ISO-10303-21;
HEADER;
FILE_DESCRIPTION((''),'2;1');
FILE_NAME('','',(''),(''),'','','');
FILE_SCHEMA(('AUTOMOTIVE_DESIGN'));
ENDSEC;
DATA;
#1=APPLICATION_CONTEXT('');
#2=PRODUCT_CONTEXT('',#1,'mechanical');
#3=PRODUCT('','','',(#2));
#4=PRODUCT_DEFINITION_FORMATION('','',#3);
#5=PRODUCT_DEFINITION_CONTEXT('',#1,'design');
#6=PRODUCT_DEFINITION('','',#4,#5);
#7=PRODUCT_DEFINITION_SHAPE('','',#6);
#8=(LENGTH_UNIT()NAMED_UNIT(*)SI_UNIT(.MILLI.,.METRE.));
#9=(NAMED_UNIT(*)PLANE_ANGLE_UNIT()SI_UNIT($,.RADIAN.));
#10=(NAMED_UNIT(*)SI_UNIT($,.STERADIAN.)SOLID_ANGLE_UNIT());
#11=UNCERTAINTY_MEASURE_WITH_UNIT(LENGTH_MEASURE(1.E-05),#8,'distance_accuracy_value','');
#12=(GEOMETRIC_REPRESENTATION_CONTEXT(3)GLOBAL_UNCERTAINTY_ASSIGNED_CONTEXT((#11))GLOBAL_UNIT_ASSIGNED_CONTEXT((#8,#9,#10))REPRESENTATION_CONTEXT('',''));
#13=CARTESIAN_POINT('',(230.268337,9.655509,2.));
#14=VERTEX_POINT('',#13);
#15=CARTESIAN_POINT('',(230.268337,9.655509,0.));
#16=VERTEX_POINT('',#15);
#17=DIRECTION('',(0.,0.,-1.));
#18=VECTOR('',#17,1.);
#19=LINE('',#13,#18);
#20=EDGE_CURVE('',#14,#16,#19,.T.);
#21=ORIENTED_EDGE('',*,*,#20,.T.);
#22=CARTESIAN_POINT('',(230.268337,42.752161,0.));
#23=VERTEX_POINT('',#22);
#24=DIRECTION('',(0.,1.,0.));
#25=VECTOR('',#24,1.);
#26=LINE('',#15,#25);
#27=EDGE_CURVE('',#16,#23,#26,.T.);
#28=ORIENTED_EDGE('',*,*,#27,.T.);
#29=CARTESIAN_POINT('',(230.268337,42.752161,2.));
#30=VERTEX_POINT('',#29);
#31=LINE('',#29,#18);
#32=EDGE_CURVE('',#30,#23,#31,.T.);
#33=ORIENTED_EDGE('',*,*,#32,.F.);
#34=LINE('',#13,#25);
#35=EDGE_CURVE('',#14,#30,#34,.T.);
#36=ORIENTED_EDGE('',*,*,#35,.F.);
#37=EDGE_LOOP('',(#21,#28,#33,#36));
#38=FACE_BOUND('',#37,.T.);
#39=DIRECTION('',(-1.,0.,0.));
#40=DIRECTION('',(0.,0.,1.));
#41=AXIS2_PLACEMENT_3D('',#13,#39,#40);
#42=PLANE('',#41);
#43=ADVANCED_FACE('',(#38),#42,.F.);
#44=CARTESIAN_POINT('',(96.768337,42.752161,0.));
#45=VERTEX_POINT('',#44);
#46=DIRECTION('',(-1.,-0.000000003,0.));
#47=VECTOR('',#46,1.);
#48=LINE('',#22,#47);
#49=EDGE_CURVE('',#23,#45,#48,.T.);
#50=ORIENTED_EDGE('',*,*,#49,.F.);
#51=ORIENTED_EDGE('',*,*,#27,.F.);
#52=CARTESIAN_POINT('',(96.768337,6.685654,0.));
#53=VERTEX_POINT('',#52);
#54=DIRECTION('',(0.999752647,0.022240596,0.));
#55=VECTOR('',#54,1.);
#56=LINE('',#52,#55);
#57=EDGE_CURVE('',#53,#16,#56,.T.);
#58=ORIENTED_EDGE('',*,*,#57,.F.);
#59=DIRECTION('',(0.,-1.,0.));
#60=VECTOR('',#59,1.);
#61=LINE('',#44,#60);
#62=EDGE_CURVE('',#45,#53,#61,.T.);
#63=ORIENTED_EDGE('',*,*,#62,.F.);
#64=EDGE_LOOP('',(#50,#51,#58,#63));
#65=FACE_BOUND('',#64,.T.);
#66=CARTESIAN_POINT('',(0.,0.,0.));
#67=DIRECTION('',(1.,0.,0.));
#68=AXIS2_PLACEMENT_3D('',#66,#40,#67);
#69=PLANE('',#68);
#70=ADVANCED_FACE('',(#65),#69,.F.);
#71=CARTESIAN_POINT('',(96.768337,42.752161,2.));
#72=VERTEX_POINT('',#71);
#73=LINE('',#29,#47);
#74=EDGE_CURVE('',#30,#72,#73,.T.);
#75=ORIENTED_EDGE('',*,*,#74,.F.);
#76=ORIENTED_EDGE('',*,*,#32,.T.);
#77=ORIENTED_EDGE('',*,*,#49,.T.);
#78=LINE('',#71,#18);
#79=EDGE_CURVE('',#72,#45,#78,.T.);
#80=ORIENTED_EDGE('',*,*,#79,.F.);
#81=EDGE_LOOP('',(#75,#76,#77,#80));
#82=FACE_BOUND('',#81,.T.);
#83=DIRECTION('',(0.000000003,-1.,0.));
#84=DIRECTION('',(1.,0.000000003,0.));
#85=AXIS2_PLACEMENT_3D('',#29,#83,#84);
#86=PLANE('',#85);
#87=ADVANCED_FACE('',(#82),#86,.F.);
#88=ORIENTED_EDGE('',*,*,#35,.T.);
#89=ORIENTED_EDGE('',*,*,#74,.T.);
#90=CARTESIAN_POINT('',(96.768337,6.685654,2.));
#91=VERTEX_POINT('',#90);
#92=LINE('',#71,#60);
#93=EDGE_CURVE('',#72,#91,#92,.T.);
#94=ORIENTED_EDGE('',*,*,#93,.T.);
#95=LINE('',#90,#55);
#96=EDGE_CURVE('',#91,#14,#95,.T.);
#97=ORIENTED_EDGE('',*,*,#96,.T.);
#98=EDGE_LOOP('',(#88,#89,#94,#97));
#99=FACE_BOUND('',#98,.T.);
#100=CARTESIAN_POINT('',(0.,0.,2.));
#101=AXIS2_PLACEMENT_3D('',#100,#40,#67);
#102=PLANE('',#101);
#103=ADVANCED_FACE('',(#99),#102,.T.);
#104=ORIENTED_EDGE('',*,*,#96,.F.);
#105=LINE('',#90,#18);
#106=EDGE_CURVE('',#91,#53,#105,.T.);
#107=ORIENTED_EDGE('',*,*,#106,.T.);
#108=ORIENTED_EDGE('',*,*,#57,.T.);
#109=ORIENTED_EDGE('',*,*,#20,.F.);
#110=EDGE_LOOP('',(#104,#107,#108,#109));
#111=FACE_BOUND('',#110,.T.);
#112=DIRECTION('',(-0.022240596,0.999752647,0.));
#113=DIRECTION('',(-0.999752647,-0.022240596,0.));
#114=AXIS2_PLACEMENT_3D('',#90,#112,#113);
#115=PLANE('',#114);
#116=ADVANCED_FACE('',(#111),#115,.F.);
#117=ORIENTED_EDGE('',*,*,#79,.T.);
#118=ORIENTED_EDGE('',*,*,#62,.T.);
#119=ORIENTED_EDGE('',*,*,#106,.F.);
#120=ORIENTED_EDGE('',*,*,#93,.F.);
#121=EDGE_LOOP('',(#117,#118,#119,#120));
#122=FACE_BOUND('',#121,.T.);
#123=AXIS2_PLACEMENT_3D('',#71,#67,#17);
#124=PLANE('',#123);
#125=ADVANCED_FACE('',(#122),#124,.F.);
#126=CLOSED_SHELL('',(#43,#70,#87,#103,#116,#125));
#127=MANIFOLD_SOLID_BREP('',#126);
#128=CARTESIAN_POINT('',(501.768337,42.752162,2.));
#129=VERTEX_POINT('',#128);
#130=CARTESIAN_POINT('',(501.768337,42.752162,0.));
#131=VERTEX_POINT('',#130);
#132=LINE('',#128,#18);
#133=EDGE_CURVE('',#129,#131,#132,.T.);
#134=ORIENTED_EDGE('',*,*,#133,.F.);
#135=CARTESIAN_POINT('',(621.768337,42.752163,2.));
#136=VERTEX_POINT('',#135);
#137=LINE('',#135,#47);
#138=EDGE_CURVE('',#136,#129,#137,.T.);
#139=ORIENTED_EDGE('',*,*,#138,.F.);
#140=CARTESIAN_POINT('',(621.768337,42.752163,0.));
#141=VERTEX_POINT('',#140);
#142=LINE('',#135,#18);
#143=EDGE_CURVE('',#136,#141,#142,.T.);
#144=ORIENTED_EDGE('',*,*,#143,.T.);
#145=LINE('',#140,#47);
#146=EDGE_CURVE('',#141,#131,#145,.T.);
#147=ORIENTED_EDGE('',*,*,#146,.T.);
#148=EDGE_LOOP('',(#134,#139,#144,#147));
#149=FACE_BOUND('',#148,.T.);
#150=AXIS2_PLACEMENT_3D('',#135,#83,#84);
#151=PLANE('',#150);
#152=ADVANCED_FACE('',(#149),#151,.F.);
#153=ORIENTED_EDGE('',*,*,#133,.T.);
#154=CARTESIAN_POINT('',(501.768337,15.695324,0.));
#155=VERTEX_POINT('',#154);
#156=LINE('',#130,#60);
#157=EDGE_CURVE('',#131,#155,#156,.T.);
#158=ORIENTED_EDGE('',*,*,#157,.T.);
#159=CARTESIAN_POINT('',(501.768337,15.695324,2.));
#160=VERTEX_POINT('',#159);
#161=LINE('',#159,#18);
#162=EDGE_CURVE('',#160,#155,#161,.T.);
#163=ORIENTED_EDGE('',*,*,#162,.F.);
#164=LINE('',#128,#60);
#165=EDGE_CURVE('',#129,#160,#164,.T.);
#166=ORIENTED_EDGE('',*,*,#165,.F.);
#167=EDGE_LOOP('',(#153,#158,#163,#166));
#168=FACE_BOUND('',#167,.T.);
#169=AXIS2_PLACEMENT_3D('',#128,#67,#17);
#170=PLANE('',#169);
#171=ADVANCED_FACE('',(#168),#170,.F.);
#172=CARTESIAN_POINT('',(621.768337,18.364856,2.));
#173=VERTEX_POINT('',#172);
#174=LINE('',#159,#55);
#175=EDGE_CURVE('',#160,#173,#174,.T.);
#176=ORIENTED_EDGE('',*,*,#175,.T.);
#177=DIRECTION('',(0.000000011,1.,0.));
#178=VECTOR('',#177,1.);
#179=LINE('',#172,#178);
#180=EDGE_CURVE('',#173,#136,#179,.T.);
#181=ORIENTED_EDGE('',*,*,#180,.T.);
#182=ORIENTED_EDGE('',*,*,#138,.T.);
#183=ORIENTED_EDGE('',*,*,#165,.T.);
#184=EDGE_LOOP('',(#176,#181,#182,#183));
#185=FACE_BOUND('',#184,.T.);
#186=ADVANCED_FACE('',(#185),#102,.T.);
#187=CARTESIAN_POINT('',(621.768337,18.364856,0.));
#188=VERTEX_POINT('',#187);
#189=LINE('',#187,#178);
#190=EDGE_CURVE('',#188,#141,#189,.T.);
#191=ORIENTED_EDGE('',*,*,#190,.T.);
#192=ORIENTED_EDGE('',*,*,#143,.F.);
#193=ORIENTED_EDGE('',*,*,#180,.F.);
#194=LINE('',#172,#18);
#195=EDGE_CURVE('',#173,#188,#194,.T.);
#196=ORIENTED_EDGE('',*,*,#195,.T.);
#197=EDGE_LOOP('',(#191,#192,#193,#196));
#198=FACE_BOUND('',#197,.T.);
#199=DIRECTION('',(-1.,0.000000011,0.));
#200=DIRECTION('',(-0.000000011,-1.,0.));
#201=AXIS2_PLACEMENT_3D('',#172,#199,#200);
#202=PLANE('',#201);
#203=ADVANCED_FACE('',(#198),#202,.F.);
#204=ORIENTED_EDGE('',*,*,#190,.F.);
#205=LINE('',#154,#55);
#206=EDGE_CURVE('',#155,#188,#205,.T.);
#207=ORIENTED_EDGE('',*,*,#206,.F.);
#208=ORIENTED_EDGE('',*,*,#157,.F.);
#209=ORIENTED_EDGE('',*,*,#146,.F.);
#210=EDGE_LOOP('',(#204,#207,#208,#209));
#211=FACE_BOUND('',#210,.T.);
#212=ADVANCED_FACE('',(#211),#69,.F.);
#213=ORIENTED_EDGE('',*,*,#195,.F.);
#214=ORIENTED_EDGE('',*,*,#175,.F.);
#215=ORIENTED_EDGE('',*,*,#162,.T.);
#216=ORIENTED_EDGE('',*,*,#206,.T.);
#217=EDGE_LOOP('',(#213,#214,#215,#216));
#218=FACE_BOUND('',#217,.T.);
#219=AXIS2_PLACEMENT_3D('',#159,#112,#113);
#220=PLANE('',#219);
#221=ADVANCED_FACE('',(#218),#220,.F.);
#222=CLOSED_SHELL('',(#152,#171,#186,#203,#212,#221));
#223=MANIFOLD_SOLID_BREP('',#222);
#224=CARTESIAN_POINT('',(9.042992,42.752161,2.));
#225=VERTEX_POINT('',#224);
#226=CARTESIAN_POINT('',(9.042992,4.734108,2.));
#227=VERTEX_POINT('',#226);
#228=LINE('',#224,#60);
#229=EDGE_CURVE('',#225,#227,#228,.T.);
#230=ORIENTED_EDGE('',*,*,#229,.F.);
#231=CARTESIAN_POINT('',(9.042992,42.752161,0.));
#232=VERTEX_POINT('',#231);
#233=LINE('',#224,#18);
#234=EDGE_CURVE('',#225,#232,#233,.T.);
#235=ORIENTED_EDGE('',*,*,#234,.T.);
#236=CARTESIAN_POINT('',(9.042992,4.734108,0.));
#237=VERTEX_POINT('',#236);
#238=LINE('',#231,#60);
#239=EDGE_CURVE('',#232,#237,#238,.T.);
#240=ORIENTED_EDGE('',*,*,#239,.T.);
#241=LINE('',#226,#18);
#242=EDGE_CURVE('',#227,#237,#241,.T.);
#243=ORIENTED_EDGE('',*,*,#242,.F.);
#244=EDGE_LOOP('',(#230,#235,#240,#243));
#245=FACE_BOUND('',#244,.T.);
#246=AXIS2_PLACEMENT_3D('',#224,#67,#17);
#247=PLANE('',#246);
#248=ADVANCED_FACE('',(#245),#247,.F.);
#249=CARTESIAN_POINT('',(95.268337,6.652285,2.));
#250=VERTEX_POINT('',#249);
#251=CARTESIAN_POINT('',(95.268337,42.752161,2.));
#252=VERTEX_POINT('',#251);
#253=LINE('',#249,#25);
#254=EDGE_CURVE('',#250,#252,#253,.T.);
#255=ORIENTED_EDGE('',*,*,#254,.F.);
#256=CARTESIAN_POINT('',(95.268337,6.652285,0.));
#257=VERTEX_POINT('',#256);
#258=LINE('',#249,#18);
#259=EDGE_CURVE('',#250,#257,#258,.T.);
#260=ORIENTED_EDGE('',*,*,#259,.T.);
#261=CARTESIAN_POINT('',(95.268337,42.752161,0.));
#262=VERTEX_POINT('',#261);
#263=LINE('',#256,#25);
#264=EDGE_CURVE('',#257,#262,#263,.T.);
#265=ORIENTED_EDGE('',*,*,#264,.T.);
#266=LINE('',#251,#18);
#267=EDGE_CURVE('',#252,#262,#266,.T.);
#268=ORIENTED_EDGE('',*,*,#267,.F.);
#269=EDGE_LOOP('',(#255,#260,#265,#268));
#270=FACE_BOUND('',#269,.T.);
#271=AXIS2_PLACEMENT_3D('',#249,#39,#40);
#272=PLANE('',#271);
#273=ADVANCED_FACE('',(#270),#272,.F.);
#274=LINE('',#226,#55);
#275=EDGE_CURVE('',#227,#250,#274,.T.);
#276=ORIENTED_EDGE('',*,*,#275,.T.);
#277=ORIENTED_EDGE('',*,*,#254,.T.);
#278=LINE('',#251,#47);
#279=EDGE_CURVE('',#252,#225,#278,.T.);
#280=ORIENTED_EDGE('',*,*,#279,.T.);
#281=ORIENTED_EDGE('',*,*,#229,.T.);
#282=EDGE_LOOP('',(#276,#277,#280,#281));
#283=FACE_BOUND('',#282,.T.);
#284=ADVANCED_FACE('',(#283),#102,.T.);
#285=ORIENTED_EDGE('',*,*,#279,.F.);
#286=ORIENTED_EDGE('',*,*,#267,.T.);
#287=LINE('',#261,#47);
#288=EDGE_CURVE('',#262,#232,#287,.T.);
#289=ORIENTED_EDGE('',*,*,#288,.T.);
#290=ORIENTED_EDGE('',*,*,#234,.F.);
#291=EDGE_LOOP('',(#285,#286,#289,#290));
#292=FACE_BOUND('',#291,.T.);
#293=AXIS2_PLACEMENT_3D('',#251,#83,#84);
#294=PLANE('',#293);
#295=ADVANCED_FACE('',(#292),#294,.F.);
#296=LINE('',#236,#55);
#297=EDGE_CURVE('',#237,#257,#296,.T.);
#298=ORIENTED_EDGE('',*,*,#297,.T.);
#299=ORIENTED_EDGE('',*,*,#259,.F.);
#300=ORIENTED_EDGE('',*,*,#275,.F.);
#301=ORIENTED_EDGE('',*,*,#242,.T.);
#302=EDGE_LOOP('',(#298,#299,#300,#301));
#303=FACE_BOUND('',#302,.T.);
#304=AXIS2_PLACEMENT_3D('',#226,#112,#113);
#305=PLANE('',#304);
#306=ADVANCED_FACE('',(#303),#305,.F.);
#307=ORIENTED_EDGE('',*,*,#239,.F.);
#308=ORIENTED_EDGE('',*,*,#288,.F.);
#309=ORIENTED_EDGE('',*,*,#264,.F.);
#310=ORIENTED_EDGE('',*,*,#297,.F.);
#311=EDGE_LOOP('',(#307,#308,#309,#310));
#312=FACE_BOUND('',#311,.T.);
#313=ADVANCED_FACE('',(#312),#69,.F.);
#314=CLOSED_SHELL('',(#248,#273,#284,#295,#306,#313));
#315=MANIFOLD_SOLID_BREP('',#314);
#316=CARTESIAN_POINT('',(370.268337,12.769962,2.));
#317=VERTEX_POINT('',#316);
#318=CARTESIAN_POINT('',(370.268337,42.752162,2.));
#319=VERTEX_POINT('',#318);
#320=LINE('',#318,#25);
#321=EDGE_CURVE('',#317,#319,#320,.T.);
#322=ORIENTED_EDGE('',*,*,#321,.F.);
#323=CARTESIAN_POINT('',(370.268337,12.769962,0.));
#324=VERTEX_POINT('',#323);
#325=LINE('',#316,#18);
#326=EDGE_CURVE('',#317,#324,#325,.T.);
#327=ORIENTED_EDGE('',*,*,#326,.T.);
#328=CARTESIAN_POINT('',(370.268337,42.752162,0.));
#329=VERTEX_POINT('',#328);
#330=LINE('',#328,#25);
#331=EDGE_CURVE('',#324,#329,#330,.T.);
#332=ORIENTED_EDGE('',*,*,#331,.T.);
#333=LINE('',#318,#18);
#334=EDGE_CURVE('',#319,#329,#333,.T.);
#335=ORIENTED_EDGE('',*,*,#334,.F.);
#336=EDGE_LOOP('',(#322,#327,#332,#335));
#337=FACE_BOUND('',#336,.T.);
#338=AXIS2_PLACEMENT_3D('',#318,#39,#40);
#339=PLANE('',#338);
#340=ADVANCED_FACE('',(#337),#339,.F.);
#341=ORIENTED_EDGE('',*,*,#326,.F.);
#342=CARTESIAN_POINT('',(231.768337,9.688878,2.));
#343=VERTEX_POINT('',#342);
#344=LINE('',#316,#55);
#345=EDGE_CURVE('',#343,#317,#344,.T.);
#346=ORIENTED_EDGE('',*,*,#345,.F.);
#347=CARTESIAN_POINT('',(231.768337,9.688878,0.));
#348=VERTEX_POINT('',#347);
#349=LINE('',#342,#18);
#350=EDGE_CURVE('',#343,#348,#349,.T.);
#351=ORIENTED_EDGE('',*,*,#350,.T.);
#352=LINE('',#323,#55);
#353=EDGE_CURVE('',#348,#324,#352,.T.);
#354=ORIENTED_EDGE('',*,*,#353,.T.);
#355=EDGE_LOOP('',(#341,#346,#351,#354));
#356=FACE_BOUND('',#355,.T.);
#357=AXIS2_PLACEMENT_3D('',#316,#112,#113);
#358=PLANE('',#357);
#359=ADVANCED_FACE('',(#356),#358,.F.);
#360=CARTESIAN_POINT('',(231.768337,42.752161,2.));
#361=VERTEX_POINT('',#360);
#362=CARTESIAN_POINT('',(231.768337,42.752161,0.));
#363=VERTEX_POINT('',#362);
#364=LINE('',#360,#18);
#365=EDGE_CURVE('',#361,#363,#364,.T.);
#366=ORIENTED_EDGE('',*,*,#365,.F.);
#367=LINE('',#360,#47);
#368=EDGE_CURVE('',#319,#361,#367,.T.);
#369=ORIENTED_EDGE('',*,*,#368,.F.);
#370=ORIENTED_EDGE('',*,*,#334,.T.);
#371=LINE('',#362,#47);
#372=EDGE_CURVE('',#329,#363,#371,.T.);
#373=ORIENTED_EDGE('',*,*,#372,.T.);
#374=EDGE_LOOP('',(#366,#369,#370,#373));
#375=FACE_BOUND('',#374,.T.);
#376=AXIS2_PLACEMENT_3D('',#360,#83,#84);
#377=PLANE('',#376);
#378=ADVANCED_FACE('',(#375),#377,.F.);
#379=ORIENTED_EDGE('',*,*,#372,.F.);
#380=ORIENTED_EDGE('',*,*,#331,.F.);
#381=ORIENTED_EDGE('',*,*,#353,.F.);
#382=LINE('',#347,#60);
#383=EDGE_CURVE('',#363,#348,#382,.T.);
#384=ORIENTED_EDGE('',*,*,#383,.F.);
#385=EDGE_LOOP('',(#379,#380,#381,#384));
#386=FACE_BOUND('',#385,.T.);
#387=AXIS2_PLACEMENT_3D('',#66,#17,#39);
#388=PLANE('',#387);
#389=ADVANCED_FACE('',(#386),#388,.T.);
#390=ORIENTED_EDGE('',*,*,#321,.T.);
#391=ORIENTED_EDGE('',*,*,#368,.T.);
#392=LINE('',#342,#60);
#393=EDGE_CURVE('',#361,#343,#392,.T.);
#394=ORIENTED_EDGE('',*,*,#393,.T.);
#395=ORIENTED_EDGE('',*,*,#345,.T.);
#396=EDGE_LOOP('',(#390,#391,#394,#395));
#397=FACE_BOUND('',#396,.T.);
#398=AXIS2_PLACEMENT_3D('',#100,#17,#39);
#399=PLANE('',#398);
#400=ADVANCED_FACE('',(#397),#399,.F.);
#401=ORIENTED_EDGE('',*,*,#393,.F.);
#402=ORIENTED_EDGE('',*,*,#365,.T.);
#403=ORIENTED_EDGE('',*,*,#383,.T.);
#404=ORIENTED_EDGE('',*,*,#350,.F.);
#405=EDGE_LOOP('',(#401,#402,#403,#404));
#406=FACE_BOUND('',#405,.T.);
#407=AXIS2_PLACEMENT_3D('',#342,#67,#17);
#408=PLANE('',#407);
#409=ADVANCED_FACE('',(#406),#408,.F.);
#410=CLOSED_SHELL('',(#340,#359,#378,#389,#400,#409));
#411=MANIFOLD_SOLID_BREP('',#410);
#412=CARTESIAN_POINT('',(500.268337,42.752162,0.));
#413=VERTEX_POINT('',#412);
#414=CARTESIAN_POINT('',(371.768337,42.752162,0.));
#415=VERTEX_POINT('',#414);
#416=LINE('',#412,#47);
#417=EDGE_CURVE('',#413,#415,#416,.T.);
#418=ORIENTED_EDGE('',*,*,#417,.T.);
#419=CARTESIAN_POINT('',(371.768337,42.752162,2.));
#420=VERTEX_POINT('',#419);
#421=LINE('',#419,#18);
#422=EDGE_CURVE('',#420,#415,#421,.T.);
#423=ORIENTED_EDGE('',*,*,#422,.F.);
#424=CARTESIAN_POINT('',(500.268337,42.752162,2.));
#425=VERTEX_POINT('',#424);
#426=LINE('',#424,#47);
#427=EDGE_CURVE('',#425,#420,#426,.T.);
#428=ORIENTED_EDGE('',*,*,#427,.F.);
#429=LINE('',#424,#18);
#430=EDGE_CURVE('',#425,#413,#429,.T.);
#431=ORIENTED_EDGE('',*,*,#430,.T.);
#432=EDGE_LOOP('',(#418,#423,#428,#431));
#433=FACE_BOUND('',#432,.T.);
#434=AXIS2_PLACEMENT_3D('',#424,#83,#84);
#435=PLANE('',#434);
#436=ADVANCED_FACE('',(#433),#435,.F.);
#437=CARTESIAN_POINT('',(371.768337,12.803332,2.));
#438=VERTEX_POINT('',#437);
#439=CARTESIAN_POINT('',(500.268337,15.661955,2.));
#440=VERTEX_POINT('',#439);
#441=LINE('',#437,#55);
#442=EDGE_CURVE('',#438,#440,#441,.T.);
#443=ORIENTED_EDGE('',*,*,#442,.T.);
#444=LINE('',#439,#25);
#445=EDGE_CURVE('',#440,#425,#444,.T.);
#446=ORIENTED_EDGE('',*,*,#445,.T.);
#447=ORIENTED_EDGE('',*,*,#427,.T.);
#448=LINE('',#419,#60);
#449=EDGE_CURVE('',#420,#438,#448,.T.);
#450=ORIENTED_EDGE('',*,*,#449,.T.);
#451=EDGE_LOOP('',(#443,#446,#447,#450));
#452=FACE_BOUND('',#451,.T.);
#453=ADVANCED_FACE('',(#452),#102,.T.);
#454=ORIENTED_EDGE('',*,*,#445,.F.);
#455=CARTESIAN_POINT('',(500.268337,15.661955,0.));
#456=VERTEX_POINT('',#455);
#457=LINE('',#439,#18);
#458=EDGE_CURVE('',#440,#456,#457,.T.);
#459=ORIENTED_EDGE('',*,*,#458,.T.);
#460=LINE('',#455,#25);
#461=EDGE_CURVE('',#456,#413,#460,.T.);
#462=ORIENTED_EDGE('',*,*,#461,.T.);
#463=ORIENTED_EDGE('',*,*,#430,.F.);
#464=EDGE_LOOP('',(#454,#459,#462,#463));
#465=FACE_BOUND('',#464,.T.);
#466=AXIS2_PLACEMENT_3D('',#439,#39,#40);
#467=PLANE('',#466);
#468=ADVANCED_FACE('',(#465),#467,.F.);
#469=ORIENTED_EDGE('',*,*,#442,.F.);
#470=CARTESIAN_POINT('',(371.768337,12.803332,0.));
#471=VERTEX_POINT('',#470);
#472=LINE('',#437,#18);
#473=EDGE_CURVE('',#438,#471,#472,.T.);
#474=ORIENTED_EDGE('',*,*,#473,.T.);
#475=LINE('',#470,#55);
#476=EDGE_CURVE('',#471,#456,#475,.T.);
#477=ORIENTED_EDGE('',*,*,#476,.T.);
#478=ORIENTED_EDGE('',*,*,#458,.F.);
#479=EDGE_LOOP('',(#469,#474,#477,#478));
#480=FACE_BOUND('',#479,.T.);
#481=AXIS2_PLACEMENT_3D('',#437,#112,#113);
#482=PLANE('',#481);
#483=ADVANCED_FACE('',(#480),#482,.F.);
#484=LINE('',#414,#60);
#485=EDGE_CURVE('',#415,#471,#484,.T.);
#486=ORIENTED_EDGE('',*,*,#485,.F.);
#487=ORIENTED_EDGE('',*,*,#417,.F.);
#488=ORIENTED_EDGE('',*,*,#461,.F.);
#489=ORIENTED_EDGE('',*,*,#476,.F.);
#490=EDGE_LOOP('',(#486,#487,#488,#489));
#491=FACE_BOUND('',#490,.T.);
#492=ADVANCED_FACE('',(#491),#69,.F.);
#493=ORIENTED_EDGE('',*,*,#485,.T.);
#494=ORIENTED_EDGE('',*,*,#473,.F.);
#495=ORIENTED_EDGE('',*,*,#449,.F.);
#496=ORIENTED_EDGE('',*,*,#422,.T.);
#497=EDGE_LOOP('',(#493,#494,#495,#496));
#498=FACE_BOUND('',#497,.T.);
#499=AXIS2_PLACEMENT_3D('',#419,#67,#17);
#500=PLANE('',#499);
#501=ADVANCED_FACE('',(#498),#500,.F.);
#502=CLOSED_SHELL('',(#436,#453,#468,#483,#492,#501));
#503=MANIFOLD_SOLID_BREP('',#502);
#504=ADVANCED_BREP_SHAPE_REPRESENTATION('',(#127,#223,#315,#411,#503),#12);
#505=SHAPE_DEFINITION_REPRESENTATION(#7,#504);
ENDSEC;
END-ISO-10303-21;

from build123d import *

# Parameters (mm, degrees)
EXTRUDE_1_DEPTH   = 2
EXTRUDE_1_2_DEPTH = 2
EXTRUDE_1_3_DEPTH = 2
EXTRUDE_1_4_DEPTH = 2
EXTRUDE_1_5_DEPTH = 2


with BuildPart() as part:
    # 草图1 → 凸台-拉伸1 (new body)
    with BuildSketch(Plane.XY):
        Polygon((9.042992345, 42.752160749), (9.042992345, 4.734107643), (95.268336964, 6.652285198), (95.268336964, 42.752161033), align=None)
    extrude(amount=EXTRUDE_1_DEPTH)


with BuildPart() as body_2:
    # 草图1 → Extrude 1 2 (new body)
    with BuildSketch(Plane.XY):
        Polygon((96.768336964, 42.752161038), (96.768336964, 6.685654347), (230.268336964, 9.655508567), (230.268336964, 42.752161477), align=None)
    extrude(amount=EXTRUDE_1_2_DEPTH)


with BuildPart() as body_3:
    # 草图1 → Extrude 1 3 (new body)
    with BuildSketch(Plane.XY):
        Polygon((231.768336964, 42.752161482), (370.268336964, 42.752161939), (370.268336964, 12.769962432), (231.768336964, 9.688877716), align=None)
    extrude(amount=EXTRUDE_1_3_DEPTH)


with BuildPart() as body_4:
    # 草图1 → Extrude 1 4 (new body)
    with BuildSketch(Plane.XY):
        Polygon((371.768336964, 42.752161943), (371.768336964, 12.80333158), (500.268336964, 15.661955306), (500.268336964, 42.752162367), align=None)
    extrude(amount=EXTRUDE_1_4_DEPTH)


with BuildPart() as body_5:
    # 草图1 → Extrude 1 5 (new body)
    with BuildSketch(Plane.XY):
        Polygon((501.768336964, 42.752162372), (501.768336964, 15.695324454), (621.768336633, 18.364856331), (621.76833689, 42.752162767), align=None)
    extrude(amount=EXTRUDE_1_5_DEPTH)


solid = Compound([part.part, body_2.part, body_3.part, body_4.part, body_5.part])
